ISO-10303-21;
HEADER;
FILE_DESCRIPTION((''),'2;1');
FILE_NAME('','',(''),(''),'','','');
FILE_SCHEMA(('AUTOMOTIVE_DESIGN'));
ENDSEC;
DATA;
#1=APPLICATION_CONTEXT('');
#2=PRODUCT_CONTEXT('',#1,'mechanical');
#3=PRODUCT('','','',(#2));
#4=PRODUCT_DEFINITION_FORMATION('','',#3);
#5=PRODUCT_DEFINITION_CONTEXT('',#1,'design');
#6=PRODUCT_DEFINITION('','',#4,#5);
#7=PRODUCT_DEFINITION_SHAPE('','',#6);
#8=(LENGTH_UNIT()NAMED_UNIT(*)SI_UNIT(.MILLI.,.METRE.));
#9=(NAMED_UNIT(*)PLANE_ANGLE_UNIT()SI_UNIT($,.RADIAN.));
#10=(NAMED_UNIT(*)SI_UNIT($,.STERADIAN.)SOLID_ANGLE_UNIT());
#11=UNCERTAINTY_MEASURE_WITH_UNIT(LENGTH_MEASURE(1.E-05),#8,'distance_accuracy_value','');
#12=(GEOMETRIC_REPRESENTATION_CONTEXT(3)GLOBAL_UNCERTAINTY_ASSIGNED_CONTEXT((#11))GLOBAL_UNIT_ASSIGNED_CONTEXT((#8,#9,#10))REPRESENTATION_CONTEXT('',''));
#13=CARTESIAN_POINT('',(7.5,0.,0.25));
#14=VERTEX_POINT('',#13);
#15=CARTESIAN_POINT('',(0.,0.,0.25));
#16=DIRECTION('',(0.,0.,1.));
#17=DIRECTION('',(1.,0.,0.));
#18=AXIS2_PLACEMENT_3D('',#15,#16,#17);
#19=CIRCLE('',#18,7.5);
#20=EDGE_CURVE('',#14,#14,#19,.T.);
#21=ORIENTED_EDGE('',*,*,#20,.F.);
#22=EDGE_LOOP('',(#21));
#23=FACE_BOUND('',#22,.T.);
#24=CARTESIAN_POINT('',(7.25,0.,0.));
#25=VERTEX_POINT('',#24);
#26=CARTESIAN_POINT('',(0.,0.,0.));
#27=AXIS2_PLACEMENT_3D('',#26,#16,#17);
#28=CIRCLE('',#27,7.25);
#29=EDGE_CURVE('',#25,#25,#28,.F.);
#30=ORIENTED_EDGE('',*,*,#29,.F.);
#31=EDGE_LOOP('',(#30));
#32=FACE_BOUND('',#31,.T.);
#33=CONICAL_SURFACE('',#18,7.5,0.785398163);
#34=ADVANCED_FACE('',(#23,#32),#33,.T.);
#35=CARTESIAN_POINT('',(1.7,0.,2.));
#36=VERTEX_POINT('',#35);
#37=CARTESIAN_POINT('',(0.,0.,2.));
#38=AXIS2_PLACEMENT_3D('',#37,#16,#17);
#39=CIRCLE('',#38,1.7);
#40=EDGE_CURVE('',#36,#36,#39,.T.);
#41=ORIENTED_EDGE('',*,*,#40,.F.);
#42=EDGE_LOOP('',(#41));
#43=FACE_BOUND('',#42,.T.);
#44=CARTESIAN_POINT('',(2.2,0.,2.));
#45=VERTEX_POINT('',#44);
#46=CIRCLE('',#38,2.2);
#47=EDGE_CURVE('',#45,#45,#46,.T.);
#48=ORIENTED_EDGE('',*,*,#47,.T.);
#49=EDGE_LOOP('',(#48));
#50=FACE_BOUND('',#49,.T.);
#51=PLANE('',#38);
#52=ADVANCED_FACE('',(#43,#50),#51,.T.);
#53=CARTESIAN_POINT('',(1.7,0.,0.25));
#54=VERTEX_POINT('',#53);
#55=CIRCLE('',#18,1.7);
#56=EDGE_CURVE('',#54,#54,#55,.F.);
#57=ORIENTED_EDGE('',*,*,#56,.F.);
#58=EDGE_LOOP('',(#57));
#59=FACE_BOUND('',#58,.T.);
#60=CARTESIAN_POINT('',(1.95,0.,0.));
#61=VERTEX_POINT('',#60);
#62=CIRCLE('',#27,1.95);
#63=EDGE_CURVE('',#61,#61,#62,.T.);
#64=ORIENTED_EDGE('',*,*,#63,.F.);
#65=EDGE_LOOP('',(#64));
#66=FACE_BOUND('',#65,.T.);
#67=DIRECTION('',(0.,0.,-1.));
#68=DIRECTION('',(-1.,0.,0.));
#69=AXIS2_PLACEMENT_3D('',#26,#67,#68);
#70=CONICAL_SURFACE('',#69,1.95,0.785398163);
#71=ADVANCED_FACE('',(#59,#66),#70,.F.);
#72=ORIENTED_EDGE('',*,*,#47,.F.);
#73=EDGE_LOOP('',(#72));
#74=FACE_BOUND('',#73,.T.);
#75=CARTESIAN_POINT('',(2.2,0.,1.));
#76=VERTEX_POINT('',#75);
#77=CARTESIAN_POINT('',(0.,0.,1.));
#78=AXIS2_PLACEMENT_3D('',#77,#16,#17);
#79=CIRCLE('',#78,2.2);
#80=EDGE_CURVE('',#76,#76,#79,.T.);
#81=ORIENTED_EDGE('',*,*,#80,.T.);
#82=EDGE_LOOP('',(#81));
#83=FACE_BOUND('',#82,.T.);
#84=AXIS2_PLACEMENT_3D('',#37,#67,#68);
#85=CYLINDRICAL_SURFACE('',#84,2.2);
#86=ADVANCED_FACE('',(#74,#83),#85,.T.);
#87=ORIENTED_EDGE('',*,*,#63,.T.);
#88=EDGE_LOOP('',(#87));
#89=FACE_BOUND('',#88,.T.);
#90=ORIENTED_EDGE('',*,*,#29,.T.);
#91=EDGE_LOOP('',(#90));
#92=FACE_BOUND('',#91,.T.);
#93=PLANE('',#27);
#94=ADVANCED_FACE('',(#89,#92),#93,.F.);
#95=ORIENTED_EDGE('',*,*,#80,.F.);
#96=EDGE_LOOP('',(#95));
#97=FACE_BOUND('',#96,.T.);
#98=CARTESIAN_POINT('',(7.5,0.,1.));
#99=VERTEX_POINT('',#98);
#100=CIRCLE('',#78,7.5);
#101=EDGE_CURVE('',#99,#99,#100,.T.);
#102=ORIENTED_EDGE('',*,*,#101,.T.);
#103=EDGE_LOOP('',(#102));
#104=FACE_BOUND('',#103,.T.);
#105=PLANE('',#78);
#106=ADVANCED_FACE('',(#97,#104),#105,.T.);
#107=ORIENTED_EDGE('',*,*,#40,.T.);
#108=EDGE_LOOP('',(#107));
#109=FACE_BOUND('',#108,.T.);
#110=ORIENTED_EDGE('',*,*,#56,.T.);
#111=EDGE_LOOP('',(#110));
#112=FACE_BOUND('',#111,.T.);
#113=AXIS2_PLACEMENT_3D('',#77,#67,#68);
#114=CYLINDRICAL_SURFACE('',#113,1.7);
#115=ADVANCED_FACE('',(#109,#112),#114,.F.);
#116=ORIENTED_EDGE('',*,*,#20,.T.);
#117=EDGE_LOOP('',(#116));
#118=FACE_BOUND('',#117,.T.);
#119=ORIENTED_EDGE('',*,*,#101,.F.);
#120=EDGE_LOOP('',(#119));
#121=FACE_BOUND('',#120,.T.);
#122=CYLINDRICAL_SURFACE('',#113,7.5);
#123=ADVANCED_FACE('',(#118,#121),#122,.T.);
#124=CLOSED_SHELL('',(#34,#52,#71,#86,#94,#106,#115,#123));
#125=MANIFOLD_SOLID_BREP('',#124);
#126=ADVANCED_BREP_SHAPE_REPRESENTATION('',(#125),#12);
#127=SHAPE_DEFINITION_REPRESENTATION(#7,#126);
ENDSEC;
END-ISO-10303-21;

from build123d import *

# Parameters (mm, degrees)
SKETCH1_R           = 7.5
SKETCH1_R_2         = 1.7
BOSS_EXTRUDE1_DEPTH = 1
SKETCH2_R           = 2.2
SKETCH2_R_2         = 1.7
BOSS_EXTRUDE2_DEPTH = 1
CHAMFER1_SIZE       = 0.25


with BuildPart() as part:
    # Sketch1 → Boss-Extrude1 (new body)
    with BuildSketch(Plane.XY):
        Circle(SKETCH1_R)
        Circle(SKETCH1_R_2, mode=Mode.SUBTRACT)
    extrude(amount=BOSS_EXTRUDE1_DEPTH)

    # Sketch2 → Boss-Extrude2 (add)
    with BuildSketch(Plane.XY.offset(1)):
        Circle(SKETCH2_R)
        Circle(SKETCH2_R_2, mode=Mode.SUBTRACT)
    extrude(amount=BOSS_EXTRUDE2_DEPTH)

    # Chamfer1
    chamfer1_edges = [part.edges().sort_by_distance(p)[0] for p in [
        (-7.5, 0, 0),
        (-1.7, 0, 0),
    ]]
    chamfer(chamfer1_edges, length=CHAMFER1_SIZE)


solid = part.part
